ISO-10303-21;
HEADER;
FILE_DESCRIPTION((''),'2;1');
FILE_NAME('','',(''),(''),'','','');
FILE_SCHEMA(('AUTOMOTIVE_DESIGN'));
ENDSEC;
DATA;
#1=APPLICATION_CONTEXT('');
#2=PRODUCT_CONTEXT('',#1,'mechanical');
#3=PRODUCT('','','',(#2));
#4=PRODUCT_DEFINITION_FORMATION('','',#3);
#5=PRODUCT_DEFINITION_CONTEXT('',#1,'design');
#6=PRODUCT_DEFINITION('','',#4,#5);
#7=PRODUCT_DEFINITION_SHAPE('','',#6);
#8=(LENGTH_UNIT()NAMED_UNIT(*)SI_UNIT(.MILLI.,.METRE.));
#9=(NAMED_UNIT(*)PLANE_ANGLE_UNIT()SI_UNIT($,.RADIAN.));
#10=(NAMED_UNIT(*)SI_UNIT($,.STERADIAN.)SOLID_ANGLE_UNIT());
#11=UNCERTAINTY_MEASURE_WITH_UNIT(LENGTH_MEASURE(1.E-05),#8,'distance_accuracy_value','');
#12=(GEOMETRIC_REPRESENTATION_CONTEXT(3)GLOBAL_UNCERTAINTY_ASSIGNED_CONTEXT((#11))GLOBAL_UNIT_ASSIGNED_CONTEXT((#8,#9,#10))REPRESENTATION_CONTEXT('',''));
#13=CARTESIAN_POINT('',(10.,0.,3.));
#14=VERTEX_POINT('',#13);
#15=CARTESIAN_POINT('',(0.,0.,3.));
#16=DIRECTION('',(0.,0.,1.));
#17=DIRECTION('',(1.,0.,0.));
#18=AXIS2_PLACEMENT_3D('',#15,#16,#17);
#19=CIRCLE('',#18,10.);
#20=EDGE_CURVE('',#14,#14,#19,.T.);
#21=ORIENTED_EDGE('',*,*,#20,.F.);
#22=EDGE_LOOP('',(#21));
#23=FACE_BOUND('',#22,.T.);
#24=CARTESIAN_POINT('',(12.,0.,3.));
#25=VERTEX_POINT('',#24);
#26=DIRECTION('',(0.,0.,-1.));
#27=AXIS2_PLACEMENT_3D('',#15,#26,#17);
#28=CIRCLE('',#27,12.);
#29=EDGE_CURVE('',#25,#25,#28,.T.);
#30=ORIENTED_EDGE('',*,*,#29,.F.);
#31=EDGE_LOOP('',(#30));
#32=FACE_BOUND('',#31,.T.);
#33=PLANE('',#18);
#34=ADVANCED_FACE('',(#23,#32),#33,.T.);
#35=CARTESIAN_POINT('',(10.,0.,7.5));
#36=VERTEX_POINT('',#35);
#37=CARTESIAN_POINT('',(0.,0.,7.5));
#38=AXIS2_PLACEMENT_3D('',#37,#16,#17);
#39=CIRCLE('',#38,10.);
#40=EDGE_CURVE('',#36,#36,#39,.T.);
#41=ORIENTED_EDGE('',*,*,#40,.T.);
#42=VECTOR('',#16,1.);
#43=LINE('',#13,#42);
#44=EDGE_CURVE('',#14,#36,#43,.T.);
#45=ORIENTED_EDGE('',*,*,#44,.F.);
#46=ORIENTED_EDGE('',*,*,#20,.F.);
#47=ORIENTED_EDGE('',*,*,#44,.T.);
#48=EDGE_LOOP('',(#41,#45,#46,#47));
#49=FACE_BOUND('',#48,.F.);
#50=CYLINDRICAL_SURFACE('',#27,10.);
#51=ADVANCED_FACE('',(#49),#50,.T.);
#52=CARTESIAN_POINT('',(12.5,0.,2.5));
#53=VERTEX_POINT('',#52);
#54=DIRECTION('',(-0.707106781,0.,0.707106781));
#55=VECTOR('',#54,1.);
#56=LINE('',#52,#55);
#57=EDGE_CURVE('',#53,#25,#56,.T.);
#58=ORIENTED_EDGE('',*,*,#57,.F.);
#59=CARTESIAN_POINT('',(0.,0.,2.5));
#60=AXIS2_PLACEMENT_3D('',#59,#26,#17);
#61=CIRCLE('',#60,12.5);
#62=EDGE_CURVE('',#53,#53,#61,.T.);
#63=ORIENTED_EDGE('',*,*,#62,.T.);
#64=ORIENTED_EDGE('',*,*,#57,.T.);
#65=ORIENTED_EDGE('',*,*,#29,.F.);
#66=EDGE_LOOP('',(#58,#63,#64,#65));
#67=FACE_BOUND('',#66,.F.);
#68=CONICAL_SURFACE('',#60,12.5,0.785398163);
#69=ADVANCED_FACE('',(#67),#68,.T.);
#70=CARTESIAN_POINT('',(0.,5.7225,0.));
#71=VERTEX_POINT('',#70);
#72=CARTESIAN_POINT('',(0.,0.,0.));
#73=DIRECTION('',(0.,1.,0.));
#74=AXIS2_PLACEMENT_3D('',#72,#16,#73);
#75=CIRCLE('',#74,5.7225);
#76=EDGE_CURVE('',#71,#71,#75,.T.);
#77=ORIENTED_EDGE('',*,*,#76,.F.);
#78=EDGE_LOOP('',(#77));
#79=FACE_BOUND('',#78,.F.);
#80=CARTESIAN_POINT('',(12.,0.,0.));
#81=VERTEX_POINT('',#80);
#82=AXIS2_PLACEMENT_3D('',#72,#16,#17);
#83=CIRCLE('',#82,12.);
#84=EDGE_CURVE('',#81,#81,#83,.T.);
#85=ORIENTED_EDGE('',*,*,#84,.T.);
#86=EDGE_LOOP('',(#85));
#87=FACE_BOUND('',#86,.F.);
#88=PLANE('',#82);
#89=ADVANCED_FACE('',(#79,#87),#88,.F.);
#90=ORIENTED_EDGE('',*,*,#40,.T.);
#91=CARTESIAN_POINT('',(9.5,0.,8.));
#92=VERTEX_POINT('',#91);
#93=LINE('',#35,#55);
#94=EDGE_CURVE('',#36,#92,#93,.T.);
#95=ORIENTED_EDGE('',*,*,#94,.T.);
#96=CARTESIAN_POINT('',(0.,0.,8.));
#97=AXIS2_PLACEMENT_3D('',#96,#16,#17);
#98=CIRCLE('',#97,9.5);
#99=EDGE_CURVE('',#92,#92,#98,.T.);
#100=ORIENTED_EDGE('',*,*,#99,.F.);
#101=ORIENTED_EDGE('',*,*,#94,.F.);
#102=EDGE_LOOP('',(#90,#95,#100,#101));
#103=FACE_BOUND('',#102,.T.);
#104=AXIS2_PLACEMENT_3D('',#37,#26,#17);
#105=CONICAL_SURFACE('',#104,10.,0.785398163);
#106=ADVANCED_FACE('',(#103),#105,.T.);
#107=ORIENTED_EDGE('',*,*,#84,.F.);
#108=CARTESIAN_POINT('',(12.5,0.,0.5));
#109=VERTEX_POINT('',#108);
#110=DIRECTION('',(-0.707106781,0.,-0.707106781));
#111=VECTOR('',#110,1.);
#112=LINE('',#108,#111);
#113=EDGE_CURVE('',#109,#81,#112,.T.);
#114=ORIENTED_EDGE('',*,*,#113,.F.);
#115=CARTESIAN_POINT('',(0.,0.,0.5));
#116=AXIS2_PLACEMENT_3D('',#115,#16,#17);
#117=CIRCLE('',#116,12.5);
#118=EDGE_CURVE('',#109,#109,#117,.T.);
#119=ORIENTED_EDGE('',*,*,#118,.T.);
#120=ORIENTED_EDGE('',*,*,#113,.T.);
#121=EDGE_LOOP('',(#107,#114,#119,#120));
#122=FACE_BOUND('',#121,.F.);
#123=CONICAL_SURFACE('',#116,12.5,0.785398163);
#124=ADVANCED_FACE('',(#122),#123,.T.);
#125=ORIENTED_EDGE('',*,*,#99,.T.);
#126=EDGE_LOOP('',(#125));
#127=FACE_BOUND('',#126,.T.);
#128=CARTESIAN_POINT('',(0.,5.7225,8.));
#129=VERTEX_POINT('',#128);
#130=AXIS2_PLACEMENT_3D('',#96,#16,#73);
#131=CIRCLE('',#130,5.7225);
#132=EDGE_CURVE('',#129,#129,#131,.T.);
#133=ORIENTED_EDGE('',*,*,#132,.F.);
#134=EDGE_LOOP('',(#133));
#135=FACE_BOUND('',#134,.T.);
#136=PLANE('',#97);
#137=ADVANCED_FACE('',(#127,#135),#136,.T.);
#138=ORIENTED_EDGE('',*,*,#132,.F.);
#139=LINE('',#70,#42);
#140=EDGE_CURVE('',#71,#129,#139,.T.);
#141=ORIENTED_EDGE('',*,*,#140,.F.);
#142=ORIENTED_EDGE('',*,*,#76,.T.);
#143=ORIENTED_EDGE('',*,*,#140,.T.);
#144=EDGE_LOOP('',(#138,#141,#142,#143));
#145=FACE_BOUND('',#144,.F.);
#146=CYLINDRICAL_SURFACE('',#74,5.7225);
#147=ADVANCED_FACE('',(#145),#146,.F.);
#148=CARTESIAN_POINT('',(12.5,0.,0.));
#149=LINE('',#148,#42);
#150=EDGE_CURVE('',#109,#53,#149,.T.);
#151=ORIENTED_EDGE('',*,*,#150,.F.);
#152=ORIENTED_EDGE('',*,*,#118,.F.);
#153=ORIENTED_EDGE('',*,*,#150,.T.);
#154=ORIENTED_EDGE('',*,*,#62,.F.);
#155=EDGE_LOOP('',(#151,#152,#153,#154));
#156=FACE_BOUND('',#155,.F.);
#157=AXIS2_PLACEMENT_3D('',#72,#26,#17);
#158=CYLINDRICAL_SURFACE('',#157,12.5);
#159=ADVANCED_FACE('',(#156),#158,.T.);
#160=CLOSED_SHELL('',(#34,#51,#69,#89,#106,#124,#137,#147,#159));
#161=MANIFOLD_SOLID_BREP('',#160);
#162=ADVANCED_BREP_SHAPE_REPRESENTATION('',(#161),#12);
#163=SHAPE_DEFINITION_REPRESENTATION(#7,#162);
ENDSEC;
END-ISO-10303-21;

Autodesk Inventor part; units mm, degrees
ref_plane "YZ Plane" through (0, 0, 0) normal (1, 0, 0) x (0, 1, 0)
ref_plane "XZ Plane" through (0, 0, 0) normal (0, 1, 0) x (-1, 0, 0)
ref_plane "XY Plane" through (0, 0, 0) normal (0, 0, 1) x (1, 0, 0)
sketch "Skizze1" plane through (0, 0, 0) normal (0, 0, 1) x (1, 0, 0)
  line L0 (-17.5, 0) -> (17.5, 0) projected
  line L1 (0, -17.5) -> (0, 17.5) projected
  circle A0 centre (0, 0) radius 12.5
  dimension "d0" = 25
extrude "Extrusion1" add sketch "Skizze1" along normal blind 3
sketch "Skizze2" plane through (0, 0, 3) normal (0, 0, 1) x (1, 0, 0)
  circle A0 centre (0, 0) radius 10
  dimension "d3" = 20
extrude "Extrusion2" add sketch "Skizze2" along normal blind 5
thread "Gewinde1" size "M20x2.5" class "6g" standard "ISO Metric profile" length 15
chamfer "Fase1" distance 0.5 angle 45 3 edges at (-10, 0, 8) (-12.5, 0, 3) (-12.5, 0, 0)
sketch "Skizze3" plane through (0, 0, 0) normal (0, 0, -1) x (-1, 0, 0)
  point P0 (0, 0)
  point P1 (0, 0)
hole "Bohrung1" at (0, 0, 0) direction (0, 0, 1) diameter 11.445 depth 32.814 thread size "G13.157x1.337" designation "G 1/4" standard "ISO Pipe Threads"
properties part number "VerteilerVerschluss"
